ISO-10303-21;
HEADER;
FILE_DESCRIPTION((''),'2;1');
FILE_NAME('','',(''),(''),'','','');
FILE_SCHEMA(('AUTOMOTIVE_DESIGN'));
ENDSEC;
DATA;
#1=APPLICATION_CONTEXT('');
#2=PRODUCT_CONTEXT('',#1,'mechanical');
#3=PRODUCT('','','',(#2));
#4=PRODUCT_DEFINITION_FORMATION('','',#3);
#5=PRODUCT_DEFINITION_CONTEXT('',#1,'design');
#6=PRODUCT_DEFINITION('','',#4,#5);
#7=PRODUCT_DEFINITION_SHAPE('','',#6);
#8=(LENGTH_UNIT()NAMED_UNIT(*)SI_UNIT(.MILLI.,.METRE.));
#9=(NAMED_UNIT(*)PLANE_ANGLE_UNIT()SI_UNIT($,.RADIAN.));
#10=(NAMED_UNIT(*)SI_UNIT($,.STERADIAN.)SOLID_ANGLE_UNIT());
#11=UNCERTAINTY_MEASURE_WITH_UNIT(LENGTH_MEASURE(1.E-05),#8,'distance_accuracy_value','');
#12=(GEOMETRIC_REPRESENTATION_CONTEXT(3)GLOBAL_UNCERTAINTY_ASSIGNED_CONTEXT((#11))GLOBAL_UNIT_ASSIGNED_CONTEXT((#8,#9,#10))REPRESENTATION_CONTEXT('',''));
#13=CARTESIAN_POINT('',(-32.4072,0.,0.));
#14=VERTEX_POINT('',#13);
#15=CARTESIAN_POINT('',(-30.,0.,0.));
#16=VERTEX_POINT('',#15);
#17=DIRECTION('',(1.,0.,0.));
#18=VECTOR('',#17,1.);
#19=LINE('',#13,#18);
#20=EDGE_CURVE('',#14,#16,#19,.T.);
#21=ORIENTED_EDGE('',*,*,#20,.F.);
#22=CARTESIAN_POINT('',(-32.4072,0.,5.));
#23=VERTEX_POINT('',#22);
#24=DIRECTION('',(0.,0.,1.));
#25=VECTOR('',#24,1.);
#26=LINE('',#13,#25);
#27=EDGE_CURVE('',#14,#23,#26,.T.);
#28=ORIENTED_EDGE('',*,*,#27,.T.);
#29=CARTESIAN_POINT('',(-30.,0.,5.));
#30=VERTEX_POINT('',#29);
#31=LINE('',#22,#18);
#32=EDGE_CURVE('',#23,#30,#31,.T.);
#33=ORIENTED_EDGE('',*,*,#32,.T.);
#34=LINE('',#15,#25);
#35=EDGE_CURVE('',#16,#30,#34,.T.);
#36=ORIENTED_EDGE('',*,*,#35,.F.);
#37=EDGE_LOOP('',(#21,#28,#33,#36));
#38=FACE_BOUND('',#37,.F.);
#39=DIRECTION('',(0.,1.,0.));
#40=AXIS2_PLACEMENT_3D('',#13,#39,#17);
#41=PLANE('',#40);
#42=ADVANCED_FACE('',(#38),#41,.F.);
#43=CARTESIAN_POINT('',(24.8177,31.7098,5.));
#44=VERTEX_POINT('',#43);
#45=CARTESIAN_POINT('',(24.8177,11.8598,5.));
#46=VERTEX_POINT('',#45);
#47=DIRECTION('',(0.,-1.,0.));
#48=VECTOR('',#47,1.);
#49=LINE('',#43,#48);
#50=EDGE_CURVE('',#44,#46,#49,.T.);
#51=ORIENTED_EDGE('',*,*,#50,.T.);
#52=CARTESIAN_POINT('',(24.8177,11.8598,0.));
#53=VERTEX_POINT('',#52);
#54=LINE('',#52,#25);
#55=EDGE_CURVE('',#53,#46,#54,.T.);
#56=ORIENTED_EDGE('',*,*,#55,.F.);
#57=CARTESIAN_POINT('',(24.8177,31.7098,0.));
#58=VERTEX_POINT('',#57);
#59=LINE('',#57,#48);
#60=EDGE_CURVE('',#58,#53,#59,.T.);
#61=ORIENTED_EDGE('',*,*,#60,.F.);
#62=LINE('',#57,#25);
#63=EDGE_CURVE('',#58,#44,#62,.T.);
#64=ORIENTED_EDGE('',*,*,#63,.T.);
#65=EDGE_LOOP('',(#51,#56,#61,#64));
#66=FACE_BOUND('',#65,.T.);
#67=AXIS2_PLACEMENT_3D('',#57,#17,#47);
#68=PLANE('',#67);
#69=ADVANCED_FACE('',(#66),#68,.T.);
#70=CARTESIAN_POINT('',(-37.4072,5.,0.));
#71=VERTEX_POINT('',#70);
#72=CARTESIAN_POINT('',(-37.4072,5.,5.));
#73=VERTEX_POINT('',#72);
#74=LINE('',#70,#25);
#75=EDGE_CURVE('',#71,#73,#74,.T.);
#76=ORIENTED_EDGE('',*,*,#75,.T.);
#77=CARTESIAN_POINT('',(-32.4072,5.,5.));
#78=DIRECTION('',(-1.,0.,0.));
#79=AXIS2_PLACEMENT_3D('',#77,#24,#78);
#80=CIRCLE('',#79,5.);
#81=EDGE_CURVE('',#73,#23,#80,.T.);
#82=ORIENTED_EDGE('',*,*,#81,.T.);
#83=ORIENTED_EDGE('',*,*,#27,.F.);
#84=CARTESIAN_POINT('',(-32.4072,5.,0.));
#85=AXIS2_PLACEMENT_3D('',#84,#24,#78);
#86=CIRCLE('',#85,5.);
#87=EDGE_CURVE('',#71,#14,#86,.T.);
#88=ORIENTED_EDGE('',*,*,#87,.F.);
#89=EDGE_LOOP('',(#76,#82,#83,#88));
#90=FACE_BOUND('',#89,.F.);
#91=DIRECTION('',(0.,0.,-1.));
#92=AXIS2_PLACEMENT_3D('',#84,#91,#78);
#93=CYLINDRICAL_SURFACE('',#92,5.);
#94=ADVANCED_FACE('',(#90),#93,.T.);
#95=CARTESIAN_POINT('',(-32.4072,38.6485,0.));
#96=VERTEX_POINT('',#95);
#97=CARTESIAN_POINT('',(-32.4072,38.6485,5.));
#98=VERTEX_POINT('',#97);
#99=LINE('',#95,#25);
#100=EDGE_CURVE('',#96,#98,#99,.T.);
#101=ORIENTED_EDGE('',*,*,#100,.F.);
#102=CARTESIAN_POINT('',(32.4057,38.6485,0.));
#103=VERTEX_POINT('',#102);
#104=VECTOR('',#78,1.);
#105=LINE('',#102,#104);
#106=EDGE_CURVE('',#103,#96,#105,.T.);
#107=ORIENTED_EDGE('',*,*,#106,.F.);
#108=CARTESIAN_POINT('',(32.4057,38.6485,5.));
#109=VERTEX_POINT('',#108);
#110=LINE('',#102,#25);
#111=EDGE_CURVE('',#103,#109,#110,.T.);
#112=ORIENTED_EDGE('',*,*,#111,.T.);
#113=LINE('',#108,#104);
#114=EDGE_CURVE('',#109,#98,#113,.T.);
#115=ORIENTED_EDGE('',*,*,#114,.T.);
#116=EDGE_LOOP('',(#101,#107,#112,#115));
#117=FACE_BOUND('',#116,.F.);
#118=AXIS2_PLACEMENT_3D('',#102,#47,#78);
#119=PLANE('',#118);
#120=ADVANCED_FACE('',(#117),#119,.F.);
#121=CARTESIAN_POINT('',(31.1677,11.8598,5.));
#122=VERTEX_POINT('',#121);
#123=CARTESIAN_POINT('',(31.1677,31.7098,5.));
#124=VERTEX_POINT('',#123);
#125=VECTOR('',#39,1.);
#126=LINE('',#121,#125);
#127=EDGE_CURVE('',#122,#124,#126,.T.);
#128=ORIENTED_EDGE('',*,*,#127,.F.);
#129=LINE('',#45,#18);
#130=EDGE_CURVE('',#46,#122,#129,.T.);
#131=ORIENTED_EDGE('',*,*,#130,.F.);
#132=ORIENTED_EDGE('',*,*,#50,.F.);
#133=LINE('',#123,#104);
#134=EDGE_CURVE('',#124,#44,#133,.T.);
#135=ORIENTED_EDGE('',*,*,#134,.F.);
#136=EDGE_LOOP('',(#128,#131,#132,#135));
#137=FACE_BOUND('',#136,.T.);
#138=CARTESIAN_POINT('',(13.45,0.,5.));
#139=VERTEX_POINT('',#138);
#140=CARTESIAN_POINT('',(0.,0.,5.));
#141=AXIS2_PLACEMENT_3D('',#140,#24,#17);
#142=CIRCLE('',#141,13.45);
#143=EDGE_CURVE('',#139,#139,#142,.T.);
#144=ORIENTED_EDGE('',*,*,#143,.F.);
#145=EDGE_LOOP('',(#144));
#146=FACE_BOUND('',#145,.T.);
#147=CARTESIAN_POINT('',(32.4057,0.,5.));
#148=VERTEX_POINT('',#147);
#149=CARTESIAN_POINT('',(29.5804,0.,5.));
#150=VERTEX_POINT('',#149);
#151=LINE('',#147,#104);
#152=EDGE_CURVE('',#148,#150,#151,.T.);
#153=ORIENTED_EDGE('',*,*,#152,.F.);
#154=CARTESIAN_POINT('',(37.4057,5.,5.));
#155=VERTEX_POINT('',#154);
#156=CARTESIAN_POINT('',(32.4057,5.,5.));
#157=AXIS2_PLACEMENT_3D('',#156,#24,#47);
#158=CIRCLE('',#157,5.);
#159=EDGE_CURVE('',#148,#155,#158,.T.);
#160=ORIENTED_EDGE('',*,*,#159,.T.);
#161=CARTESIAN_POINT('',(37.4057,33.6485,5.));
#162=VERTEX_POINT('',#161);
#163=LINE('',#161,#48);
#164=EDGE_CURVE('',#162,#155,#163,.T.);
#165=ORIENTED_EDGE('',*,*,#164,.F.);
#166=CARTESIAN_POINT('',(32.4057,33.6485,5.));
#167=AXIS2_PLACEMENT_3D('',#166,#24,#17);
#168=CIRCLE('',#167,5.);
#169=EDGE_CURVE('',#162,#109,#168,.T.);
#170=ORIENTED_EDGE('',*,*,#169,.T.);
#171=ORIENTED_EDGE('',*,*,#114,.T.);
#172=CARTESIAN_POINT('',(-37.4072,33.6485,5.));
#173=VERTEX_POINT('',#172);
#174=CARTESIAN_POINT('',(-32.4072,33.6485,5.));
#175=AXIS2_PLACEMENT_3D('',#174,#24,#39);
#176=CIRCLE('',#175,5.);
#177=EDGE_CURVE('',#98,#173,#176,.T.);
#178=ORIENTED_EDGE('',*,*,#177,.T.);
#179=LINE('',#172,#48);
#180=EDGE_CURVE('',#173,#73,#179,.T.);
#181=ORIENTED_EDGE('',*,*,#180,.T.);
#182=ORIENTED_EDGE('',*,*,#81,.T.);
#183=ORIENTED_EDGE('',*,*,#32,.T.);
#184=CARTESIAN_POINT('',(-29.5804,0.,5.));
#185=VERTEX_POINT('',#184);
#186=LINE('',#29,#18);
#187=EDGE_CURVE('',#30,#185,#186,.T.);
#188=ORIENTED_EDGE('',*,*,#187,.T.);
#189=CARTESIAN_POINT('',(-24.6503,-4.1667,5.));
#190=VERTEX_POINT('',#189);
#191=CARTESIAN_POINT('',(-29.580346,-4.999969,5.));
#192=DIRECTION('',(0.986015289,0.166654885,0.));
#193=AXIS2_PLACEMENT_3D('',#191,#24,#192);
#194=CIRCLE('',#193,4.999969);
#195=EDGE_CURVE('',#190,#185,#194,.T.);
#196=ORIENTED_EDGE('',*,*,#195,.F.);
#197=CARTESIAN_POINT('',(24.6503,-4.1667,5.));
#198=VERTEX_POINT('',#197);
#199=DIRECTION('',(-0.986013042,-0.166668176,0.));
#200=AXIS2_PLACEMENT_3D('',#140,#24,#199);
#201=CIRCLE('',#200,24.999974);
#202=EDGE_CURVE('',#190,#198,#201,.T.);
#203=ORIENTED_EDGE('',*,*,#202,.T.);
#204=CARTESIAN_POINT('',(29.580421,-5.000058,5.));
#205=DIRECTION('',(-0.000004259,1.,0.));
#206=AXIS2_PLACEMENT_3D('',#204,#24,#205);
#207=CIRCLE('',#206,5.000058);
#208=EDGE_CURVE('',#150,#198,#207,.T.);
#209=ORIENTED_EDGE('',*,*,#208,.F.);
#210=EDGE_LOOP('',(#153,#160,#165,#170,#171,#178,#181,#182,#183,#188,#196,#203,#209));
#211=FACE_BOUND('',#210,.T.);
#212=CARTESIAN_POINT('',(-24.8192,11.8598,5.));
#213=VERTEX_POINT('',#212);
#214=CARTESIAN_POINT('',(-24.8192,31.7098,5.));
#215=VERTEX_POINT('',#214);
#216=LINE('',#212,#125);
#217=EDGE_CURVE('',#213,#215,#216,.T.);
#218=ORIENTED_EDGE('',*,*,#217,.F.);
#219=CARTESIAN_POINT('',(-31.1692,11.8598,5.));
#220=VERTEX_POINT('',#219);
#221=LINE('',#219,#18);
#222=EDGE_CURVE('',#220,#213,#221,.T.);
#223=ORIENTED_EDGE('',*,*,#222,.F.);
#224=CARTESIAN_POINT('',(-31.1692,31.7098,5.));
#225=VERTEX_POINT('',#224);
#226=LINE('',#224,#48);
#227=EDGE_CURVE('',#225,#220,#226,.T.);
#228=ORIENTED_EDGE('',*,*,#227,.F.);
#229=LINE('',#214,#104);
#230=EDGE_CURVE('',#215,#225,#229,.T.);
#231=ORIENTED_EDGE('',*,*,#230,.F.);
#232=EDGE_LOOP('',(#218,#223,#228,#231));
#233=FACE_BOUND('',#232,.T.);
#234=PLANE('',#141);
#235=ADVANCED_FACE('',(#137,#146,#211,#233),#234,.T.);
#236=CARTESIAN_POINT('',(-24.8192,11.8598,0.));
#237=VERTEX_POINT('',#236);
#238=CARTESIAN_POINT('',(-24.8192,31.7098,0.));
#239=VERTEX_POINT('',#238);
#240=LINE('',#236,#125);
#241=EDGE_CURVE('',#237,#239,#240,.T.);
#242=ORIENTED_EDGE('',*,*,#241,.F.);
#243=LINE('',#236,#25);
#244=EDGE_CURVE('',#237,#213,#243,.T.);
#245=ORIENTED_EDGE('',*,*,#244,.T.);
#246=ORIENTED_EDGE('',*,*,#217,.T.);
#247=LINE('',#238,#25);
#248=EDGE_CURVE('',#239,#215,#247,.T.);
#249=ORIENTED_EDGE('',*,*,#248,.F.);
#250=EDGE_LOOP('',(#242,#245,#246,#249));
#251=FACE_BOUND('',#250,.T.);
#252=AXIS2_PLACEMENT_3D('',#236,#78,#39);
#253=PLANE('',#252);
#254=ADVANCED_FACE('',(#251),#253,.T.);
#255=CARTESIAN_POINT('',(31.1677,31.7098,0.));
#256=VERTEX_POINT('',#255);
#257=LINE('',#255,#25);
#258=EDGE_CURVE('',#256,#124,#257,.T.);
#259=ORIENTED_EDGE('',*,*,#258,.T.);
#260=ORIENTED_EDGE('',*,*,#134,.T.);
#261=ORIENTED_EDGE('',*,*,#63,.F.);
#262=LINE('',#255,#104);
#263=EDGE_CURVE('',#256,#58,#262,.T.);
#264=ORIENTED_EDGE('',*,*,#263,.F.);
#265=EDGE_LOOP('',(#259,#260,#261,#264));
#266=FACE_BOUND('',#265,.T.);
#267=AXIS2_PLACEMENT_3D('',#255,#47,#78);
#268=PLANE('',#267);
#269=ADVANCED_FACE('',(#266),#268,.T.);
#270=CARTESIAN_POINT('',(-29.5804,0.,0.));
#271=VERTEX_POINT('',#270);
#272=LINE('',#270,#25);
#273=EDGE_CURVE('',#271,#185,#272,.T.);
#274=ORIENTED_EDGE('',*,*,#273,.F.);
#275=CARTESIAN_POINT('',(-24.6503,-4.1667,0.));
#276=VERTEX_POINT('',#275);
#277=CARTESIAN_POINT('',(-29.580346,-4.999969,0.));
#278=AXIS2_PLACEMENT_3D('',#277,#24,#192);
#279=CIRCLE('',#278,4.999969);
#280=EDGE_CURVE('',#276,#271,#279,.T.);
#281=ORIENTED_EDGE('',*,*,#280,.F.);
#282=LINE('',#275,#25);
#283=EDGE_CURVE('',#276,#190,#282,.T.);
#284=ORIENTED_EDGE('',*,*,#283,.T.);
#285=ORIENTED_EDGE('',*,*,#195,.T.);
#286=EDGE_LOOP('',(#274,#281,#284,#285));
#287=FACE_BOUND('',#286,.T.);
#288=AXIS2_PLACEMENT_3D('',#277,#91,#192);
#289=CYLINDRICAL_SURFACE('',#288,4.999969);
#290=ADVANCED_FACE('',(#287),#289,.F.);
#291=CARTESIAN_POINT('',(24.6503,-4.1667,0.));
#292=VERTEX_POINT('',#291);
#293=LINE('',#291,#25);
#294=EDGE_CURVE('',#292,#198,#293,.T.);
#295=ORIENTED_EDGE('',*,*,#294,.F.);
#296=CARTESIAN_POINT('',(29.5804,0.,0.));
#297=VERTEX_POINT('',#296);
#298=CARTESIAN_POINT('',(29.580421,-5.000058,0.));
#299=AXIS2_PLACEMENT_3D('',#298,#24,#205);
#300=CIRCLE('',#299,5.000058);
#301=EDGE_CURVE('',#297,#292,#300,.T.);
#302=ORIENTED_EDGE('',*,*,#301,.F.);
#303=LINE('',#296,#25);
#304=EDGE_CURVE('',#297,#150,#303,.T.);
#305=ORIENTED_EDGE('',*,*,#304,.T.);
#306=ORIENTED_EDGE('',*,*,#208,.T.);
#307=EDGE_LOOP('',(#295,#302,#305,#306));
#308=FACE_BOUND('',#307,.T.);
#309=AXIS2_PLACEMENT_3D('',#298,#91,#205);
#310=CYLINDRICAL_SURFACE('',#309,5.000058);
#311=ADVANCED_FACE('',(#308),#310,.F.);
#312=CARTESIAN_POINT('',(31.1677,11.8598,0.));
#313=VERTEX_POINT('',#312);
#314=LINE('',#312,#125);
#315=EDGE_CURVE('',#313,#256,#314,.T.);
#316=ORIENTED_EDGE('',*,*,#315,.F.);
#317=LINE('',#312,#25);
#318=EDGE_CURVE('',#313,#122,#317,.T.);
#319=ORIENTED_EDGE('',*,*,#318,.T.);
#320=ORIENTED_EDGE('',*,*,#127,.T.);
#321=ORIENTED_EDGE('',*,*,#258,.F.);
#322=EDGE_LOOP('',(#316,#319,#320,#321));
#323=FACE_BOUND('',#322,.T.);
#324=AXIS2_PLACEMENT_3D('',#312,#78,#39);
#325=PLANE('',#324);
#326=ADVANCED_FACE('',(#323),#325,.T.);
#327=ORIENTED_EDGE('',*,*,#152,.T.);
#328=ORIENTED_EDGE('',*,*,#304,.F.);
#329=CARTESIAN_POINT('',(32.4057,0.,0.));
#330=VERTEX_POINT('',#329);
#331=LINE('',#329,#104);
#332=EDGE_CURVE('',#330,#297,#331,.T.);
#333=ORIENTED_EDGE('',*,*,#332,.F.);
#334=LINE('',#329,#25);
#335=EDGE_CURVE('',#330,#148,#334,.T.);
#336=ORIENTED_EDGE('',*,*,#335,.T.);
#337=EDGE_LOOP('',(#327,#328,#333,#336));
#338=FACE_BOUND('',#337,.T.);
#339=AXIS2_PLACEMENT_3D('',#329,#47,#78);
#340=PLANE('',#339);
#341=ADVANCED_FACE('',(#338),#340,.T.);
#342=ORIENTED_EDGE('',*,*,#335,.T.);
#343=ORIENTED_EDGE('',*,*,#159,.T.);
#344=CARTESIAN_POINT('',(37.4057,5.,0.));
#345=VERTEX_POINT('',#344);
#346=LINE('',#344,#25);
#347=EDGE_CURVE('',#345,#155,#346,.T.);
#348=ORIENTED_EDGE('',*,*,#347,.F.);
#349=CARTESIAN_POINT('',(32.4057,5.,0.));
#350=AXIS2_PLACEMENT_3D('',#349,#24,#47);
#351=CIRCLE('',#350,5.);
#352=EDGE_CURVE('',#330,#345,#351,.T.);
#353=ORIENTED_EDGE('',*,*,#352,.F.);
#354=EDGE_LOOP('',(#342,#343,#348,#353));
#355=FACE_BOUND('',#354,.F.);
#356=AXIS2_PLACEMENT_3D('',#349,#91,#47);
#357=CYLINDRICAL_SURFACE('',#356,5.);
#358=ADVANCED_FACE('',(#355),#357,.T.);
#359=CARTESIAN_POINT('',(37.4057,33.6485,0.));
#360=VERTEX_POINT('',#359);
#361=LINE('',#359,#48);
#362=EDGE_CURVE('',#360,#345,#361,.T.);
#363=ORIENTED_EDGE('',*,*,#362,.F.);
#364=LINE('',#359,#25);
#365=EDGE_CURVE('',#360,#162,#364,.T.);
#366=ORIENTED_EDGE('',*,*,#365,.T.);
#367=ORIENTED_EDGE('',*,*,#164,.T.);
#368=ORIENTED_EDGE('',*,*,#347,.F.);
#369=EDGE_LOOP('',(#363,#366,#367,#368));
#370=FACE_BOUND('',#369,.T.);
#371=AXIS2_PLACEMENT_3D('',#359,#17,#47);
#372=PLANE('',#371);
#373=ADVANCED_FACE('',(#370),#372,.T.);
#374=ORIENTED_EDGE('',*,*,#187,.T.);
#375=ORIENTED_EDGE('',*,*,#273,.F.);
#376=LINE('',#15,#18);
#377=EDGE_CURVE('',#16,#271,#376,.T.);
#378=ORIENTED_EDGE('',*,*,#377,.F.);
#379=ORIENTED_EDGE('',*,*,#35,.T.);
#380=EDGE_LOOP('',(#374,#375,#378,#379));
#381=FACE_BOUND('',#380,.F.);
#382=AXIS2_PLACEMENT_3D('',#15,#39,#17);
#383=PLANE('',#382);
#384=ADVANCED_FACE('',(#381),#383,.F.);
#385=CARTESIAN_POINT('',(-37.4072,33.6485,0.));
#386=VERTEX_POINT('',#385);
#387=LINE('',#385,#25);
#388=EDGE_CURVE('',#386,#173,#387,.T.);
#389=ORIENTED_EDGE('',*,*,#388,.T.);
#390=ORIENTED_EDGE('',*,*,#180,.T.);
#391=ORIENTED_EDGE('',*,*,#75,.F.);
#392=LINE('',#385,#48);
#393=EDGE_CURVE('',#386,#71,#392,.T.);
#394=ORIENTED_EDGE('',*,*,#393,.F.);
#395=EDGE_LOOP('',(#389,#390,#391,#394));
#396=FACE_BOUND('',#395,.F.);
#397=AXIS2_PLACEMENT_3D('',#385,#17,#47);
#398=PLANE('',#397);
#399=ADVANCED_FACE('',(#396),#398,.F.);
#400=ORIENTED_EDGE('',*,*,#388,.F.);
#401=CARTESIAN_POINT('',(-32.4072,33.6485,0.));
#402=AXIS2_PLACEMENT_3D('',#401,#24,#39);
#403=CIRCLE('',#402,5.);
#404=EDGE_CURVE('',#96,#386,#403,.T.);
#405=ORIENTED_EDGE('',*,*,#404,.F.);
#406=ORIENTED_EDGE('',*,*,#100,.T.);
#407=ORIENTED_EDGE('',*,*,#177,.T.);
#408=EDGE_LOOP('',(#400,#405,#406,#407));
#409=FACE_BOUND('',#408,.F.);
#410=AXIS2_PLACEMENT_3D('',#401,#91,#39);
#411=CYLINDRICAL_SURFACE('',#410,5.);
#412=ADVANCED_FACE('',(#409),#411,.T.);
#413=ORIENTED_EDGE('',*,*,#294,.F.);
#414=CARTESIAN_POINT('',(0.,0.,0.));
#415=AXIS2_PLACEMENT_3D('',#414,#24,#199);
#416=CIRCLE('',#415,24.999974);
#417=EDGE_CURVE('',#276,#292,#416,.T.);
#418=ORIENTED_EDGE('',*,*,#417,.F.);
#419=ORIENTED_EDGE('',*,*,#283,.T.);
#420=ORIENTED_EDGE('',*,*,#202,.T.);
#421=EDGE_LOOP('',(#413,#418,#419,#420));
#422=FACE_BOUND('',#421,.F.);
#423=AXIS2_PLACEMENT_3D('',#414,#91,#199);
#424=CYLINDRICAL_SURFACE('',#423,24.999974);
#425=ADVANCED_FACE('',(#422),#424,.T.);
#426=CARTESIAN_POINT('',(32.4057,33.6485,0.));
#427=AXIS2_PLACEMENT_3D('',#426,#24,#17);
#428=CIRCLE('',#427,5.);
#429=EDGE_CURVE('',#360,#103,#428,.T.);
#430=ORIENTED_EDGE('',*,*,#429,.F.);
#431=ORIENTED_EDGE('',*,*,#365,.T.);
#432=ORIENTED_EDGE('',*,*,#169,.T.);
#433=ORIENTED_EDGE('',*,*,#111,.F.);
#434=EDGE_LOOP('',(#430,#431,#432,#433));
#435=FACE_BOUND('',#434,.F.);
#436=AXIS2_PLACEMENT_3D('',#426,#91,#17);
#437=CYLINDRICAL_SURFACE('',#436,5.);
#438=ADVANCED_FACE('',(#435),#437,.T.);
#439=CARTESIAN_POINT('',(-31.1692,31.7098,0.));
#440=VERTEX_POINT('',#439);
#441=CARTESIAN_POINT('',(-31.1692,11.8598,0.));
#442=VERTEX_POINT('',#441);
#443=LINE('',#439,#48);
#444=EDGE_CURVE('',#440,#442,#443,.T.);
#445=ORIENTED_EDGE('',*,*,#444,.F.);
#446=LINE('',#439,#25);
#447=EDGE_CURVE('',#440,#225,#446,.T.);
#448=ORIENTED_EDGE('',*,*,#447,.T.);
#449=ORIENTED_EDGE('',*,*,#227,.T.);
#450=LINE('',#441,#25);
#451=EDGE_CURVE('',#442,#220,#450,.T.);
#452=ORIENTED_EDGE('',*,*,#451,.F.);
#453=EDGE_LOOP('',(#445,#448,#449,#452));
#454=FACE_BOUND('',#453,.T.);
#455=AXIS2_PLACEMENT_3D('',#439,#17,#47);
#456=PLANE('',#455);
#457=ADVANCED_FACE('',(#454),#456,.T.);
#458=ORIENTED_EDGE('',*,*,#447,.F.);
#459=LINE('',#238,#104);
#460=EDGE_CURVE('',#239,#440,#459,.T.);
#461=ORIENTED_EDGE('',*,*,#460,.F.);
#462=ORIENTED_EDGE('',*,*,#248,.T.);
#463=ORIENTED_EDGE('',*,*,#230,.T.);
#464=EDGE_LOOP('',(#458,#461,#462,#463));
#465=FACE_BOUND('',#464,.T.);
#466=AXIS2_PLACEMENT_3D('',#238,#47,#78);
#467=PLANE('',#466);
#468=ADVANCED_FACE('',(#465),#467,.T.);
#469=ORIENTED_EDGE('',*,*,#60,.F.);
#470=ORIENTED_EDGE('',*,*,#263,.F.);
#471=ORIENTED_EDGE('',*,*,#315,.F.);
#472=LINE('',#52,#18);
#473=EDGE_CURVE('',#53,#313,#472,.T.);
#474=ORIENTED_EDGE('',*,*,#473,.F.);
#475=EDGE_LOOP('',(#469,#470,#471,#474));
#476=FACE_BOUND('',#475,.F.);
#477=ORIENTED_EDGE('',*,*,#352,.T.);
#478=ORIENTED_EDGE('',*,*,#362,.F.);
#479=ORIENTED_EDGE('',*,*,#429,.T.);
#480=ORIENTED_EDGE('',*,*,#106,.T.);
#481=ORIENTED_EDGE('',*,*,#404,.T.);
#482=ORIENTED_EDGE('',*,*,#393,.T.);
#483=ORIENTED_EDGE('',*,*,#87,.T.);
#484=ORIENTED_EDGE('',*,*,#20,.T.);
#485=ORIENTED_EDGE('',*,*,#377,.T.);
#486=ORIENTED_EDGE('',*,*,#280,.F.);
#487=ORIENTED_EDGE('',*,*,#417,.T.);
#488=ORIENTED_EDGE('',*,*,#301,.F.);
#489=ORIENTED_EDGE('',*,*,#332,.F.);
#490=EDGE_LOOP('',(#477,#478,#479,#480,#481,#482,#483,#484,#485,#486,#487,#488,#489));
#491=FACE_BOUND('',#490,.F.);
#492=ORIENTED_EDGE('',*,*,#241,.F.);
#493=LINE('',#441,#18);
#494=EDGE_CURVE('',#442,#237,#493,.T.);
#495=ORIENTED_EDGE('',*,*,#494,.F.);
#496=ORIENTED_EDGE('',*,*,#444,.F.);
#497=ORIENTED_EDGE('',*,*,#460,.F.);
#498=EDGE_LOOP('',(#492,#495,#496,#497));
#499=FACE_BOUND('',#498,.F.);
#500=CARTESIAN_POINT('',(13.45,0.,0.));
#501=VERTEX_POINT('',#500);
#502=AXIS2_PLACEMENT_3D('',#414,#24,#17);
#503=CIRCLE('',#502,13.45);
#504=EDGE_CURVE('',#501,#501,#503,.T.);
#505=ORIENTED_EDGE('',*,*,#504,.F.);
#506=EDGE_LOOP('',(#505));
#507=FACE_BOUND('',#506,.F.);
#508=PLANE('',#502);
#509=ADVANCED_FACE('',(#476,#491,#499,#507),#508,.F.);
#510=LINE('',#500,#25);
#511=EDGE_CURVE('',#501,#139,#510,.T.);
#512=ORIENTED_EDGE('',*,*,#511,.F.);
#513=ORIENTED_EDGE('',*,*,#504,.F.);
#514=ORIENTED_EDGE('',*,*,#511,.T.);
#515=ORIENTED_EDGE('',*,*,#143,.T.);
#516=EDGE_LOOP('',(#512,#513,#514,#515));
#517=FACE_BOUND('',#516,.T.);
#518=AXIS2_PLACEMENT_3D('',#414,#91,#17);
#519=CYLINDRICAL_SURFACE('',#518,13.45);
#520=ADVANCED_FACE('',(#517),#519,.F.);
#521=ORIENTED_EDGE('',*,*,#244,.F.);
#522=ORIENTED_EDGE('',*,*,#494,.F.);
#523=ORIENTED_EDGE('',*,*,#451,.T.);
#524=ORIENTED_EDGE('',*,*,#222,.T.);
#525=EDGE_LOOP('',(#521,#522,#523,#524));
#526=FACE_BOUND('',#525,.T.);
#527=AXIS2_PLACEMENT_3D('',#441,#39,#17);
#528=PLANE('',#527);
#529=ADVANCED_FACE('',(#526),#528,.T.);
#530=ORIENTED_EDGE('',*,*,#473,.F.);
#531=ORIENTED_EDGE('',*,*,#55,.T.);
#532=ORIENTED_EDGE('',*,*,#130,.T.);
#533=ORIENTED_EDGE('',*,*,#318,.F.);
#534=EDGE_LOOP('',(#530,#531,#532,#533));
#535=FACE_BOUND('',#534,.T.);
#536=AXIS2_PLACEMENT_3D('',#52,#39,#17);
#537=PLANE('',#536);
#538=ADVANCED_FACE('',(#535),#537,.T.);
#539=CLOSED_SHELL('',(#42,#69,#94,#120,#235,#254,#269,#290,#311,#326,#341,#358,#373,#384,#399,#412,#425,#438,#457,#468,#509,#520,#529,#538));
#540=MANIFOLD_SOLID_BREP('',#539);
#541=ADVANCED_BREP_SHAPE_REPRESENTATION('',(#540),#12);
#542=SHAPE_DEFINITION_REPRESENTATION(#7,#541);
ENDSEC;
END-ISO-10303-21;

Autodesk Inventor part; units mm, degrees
ref_plane "YZ Plane" through (0, 0, 0) normal (1, 0, 0) x (0, 1, 0)
ref_plane "XZ Plane" through (0, 0, 0) normal (0, 1, 0) x (-1, 0, 0)
ref_plane "XY Plane" through (0, 0, 0) normal (0, 0, 1) x (1, 0, 0)
sketch "Эскиз1" plane through (0, 0, 0) normal (0, 0, 1) x (1, 0, 0)
  line L0 (32.4057, 38.6485) -> (-32.4072, 38.6485)
  arc A0 (-32.4072, 38.6485) -> (-37.4072, 33.6485) centre (-32.4072, 33.6485) ccw
  line L1 (-37.4072, 33.6485) -> (-37.4072, 5)
  arc A1 (-37.4072, 5) -> (-32.4072, 0) centre (-32.4072, 5) ccw
  line L2 (-30, 0) -> (-29.5804, 0)
  arc A2 (-24.6503, -4.1667) -> (-29.5804, 0) centre (-29.5804, -5) ccw
  arc A3 (-24.6503, -4.1667) -> (24.6503, -4.1667) centre (0, 0) ccw
  arc A4 (29.5804, 0) -> (24.6503, -4.1667) centre (29.5804, -5) ccw
  circle A5 centre (0, 0) radius 13.45
  line L3 (-0.0007, 35) -> (-0.0007, -40.0249) construction
  line L4 (-31.1692, 11.8598) -> (-24.8192, 11.8598)
  line L5 (-24.8192, 11.8598) -> (-24.8192, 31.7098)
  line L6 (-24.8192, 31.7098) -> (-31.1692, 31.7098)
  line L7 (-31.1692, 31.7098) -> (-31.1692, 11.8598)
  line L8 (24.8177, 11.8598) -> (31.1677, 11.8598)
  line L9 (31.1677, 11.8598) -> (31.1677, 31.7098)
  line L10 (31.1677, 31.7098) -> (24.8177, 31.7098)
  line L11 (24.8177, 31.7098) -> (24.8177, 11.8598)
  arc A6 (37.4057, 33.6485) -> (32.4057, 38.6485) centre (32.4057, 33.6485) ccw
  line L12 (37.4057, 33.6485) -> (37.4057, 5)
  arc A7 (32.4057, 0) -> (37.4057, 5) centre (32.4057, 5) ccw
  line L13 (32.4057, 0) -> (29.5804, 0)
  line L14 (-32.4072, 0) -> (-30, 0)
  point P0 (29.9986, 30)
  point P1 (-30, 30)
  point P2 (25.9869, 30)
extrude "Выдавливание1" add sketch "Эскиз1" along normal blind 5
properties part number "Гор. шарнир"
